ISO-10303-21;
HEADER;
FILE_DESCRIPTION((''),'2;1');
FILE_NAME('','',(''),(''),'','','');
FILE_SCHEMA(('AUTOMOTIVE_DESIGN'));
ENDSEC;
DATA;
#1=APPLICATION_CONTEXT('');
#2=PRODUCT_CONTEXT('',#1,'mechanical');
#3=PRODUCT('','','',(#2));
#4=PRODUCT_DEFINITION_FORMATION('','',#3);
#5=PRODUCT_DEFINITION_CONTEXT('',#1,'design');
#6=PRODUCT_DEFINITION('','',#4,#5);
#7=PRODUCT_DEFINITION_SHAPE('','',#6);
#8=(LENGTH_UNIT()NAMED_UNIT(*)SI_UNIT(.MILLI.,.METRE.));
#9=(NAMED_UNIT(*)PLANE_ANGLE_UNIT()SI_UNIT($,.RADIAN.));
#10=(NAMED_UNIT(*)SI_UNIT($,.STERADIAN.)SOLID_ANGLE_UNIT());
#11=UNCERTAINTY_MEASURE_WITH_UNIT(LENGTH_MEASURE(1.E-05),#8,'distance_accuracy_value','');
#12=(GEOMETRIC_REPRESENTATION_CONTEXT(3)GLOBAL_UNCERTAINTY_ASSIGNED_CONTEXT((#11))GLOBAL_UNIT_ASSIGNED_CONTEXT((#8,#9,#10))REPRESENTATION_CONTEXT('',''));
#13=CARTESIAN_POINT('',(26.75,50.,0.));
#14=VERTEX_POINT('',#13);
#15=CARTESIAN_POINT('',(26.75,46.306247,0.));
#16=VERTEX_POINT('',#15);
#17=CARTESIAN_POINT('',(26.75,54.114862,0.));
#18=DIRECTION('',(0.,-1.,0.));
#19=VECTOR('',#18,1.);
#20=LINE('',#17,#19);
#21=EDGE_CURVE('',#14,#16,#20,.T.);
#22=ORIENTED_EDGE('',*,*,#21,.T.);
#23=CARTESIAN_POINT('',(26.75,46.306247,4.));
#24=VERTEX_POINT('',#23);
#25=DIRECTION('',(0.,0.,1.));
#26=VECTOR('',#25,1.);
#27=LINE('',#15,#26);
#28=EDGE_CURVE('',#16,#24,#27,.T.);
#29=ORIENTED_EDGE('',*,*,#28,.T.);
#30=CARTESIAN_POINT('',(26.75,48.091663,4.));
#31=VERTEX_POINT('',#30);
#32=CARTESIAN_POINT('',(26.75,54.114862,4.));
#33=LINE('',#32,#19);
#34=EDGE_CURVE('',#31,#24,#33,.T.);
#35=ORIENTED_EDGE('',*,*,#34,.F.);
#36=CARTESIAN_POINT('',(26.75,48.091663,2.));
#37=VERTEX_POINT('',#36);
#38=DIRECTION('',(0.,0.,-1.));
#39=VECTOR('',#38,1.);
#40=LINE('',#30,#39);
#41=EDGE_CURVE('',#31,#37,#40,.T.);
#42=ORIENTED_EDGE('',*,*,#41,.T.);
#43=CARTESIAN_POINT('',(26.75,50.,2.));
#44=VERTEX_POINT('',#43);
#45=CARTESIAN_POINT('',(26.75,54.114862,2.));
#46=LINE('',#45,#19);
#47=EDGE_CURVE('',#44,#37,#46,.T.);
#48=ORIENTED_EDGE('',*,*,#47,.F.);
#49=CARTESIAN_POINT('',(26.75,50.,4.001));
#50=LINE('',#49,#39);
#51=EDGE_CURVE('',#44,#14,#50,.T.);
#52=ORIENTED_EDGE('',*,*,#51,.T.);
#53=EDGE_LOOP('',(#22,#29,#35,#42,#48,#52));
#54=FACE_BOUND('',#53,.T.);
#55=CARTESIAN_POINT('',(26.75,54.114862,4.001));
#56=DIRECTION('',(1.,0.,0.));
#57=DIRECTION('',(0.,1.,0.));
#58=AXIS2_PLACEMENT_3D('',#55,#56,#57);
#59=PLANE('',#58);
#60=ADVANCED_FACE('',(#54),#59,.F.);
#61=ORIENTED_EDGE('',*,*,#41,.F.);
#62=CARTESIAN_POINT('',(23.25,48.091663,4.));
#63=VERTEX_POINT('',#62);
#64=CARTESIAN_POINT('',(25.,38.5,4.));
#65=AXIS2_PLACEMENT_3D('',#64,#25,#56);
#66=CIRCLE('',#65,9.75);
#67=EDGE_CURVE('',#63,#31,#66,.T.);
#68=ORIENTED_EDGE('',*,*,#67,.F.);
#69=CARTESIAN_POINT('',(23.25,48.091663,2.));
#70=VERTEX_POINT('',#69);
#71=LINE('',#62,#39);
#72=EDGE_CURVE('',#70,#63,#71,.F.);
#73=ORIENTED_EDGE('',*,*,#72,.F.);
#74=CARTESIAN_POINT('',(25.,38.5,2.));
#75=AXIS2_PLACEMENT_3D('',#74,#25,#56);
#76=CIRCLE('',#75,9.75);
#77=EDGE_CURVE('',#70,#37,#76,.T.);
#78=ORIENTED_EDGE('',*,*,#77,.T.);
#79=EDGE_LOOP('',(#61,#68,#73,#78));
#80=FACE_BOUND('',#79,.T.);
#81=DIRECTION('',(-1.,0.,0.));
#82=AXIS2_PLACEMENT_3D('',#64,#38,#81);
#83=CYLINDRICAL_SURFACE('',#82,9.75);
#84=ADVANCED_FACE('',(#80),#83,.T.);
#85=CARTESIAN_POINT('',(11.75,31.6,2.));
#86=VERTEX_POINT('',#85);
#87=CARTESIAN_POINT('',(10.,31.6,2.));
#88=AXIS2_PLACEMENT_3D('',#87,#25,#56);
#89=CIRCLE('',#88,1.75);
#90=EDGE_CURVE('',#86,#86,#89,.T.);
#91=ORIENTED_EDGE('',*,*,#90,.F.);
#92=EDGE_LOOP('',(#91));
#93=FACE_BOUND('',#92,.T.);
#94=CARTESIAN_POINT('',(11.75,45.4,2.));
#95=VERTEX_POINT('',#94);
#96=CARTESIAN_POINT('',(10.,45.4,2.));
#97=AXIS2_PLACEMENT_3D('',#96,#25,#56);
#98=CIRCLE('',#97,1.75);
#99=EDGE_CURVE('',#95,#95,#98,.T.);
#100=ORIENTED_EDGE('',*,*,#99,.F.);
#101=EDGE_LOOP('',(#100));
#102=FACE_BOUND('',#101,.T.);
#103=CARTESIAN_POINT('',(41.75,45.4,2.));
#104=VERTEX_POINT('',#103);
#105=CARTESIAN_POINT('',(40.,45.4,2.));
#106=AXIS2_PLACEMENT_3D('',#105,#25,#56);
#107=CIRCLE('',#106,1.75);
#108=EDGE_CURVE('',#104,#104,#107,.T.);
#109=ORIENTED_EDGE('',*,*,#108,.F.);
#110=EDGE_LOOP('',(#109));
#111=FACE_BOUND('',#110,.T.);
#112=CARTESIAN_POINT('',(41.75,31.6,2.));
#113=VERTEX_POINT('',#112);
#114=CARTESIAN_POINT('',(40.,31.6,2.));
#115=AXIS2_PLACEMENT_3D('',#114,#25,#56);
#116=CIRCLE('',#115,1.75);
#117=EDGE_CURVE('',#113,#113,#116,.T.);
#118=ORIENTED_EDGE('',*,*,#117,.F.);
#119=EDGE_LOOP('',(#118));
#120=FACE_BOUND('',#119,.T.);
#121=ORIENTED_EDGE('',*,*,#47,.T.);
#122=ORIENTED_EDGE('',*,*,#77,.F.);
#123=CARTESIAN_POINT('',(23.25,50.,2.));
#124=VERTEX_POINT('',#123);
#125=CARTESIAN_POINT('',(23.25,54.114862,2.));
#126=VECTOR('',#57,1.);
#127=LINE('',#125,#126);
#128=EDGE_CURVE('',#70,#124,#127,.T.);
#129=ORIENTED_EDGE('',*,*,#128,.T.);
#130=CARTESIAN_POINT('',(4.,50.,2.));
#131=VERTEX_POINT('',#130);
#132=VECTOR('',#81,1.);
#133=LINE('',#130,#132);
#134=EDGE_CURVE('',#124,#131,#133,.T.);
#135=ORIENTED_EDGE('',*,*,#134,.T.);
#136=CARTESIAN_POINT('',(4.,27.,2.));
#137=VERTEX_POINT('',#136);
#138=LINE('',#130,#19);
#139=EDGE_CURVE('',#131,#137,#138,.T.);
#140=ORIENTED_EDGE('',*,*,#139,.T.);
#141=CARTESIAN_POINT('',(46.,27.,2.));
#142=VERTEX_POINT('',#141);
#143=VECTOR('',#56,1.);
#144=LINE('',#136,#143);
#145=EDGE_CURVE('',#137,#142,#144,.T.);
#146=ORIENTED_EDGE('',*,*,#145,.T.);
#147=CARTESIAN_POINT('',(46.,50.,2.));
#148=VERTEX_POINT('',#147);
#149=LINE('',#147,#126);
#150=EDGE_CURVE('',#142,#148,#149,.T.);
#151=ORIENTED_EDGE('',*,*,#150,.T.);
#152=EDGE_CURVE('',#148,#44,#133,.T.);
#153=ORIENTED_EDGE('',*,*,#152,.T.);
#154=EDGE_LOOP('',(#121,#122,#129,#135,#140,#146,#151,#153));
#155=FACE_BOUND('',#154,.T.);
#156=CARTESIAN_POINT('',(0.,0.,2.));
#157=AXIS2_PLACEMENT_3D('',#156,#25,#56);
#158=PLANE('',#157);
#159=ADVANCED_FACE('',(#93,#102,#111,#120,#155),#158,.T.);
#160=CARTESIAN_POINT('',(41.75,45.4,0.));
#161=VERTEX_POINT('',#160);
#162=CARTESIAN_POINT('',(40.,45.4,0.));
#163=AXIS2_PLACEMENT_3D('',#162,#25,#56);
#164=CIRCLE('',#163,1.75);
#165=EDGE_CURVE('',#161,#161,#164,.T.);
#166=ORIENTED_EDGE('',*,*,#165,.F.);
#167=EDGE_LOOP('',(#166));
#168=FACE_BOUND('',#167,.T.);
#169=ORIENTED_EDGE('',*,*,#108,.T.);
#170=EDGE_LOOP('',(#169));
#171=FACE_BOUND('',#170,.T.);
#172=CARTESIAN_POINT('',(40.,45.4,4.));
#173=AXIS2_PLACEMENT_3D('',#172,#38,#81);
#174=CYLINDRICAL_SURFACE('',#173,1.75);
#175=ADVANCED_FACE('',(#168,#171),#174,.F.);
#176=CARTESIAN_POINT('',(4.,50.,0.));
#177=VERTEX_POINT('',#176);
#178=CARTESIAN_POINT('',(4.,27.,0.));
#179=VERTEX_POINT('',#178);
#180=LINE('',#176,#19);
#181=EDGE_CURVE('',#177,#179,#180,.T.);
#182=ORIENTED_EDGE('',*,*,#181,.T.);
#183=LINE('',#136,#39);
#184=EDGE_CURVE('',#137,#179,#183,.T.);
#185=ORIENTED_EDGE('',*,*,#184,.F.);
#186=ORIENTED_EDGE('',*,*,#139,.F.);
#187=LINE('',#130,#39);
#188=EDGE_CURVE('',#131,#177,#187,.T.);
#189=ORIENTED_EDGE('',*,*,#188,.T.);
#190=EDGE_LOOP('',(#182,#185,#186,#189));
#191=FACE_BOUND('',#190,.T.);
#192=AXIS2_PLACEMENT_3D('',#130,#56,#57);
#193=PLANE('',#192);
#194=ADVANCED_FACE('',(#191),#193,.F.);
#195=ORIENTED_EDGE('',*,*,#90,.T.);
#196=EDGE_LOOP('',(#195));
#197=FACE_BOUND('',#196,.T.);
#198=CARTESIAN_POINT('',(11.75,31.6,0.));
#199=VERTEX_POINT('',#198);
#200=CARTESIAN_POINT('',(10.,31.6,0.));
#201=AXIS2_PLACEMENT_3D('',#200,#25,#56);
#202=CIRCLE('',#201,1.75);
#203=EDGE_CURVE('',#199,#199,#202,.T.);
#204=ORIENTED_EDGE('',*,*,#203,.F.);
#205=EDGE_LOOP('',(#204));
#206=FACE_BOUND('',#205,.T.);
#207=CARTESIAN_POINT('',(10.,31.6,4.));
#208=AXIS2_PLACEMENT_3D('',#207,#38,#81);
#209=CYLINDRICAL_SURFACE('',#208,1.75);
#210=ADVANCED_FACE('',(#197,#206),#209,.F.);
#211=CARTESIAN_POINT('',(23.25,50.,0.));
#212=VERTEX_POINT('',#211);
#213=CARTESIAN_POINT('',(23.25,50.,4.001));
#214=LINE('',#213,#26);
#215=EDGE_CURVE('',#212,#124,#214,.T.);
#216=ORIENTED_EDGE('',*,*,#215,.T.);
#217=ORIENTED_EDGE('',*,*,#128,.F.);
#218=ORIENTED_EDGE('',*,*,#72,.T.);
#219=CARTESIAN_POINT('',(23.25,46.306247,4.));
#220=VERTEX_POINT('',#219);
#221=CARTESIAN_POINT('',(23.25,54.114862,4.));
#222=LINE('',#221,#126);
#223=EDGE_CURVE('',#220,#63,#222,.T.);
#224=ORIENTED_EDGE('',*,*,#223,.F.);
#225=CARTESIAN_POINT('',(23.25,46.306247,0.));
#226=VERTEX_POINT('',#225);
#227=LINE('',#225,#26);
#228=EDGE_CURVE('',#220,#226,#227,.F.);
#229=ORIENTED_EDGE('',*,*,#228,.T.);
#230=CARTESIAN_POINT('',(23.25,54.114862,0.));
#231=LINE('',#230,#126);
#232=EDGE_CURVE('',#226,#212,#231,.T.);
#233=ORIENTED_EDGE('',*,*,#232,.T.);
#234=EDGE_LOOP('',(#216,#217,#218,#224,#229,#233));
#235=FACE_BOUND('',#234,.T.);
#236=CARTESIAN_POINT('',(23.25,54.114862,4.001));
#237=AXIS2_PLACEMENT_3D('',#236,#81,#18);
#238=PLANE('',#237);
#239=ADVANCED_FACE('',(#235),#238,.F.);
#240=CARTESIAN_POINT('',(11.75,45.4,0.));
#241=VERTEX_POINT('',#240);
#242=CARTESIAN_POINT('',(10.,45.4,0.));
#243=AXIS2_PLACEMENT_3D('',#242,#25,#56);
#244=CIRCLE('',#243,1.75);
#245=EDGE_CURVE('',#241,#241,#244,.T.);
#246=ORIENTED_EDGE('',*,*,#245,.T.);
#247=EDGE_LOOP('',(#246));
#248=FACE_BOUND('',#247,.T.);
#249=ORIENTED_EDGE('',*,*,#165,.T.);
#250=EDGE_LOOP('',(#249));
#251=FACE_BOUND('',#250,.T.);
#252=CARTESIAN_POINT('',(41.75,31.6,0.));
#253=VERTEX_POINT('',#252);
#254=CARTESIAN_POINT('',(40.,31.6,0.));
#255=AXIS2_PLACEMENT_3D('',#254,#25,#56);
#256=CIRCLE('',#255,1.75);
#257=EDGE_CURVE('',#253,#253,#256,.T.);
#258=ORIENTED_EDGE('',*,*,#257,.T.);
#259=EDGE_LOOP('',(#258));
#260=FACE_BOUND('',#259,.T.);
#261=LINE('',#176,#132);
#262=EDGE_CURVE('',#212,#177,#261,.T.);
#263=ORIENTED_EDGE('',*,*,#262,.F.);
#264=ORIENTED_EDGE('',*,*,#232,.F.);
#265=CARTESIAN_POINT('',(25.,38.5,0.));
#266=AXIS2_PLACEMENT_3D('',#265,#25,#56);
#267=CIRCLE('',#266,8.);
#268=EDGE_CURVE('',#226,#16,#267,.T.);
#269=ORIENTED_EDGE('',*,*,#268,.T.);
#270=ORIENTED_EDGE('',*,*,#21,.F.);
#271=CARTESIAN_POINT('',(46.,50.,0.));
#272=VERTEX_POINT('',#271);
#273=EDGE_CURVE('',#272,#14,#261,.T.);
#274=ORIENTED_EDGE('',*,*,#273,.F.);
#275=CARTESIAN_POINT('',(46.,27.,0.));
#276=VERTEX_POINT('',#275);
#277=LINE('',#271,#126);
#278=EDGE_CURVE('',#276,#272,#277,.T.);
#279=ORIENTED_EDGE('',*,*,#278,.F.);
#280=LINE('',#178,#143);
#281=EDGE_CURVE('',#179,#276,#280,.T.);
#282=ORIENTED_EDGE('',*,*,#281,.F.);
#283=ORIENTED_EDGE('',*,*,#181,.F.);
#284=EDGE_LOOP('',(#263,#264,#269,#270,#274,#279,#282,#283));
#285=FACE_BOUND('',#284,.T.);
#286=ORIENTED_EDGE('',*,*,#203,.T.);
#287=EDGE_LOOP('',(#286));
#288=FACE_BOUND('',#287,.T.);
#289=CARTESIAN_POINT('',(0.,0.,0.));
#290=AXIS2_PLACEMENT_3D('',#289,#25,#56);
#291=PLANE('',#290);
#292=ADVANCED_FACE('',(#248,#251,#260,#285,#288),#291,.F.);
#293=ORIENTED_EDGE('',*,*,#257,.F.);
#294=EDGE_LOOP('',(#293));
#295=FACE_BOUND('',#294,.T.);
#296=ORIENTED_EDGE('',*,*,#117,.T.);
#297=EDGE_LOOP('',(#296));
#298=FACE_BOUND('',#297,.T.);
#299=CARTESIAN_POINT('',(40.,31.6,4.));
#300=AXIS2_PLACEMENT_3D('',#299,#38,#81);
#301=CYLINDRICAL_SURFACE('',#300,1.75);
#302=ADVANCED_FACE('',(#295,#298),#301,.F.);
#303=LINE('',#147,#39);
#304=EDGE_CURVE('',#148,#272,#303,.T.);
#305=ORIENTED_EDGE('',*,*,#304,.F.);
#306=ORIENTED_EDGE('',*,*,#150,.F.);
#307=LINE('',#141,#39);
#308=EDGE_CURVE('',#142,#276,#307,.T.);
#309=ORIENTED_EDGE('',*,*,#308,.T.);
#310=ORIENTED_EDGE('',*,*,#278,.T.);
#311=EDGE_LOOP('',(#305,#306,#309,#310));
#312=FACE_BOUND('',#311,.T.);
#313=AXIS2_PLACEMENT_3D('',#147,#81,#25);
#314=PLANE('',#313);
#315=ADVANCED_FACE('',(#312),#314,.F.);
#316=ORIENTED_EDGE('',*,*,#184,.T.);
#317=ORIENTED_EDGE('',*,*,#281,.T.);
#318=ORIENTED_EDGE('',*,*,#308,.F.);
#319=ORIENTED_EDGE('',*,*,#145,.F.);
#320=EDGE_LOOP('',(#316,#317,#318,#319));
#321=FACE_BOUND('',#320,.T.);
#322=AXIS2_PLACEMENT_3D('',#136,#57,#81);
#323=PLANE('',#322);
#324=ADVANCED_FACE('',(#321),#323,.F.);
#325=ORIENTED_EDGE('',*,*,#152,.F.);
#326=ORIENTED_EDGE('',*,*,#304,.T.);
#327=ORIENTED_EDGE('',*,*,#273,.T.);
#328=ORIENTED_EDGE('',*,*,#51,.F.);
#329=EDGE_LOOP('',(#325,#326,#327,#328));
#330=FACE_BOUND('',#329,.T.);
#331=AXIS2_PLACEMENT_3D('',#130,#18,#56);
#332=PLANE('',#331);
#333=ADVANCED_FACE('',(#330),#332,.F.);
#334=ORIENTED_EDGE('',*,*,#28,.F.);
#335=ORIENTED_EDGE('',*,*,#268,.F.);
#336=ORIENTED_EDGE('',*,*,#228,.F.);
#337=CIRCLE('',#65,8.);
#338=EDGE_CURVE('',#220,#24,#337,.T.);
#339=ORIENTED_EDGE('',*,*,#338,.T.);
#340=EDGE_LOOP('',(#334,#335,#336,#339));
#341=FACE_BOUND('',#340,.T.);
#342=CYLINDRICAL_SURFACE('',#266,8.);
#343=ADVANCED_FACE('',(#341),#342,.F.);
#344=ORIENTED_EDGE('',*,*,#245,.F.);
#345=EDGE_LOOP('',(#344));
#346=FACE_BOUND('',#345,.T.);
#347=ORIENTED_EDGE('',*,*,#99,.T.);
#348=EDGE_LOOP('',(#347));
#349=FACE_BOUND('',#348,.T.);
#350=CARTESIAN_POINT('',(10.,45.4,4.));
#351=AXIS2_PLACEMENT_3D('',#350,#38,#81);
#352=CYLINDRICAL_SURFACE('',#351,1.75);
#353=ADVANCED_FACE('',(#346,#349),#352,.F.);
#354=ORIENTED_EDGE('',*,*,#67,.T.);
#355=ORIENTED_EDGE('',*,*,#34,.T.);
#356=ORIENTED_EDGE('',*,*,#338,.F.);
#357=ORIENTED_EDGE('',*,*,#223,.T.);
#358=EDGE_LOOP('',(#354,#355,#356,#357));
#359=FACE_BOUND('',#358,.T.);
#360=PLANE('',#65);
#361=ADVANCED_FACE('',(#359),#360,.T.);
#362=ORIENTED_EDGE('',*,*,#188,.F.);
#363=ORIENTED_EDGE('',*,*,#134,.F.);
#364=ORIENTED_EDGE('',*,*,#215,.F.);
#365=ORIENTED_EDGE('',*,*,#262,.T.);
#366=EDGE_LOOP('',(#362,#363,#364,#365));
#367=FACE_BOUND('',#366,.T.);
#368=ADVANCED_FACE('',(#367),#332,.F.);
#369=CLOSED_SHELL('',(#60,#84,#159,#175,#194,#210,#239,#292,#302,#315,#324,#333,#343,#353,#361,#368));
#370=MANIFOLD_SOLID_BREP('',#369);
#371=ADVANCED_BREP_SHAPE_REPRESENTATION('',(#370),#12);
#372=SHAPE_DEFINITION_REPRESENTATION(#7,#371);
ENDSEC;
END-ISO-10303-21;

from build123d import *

# Parameters (mm, degrees)
SKETCH_2_W               = 42
SKETCH_2_H               = 23
EXTRUDE_1_DEPTH          = 2
SKETCH_3_R               = 9.75
EXTRUDE_2_DEPTH          = 2
SKETCH_4_R               = 8
CUT_EXTRUDE_1_DEPTH      = 69.058798109
CUT_EXTRUDE_2_DEPTH      = 69.058798109
CUT_EXTRUDE_2_DEPTH_BACK = 69.058798109
SKETCH_5_R               = 1.75
CUT_EXTRUDE_4_REACH      = 70.059
SKETCH_7_W               = 3.5
SKETCH_7_H               = 14.451393072


with BuildPart() as part:
    # 草图2 → 凸台-拉伸1 (new body)
    with BuildSketch(Plane.XY):
        with Locations((25, 38.5)):
            Rectangle(SKETCH_2_W, SKETCH_2_H)
    extrude(amount=EXTRUDE_1_DEPTH)

    # 草图3 → 凸台-拉伸2 (add)
    with BuildSketch(Plane.XY.offset(2)):
        with Locations((25, 38.5)):
            Circle(SKETCH_3_R)
    extrude(amount=EXTRUDE_2_DEPTH)

    # 草图4 → 切除-拉伸1 (cut, through all)
    with BuildSketch(Plane.XY.offset(4)):
        with Locations((25, 38.5)):
            Circle(SKETCH_4_R)
    extrude(amount=-CUT_EXTRUDE_1_DEPTH, mode=Mode.SUBTRACT)

    # 草图5 → 切除-拉伸2 (cut, two sides: drawn at the far end of the back side and taken through both)
    with BuildSketch(Plane(origin=(0, 0, 0), x_dir=(-1, 0, 0), z_dir=(0, 0, -1)).offset(-CUT_EXTRUDE_2_DEPTH_BACK)):
        with Locations(Location((-40, 45.4, 0), (0, 0, 180))):
            Circle(SKETCH_5_R)
        with Locations(Location((-40, 31.6, 0), (0, 0, 180))):
            Circle(SKETCH_5_R)
        with Locations(Location((-10, 31.6, 0), (0, 0, 180))):
            Circle(SKETCH_5_R)
        with Locations(Location((-10, 45.4, 0), (0, 0, 180))):
            Circle(SKETCH_5_R)
    extrude(amount=CUT_EXTRUDE_2_DEPTH + CUT_EXTRUDE_2_DEPTH_BACK, mode=Mode.SUBTRACT)

    # 草图7 → 切除-拉伸4 (cut, up to next)
    with BuildSketch(Plane(origin=(0, 0, 0), x_dir=(-1, 0, 0), z_dir=(0, 0, -1)), mode=Mode.PRIVATE) as cut_extrude_4_sk1:
        with Locations((-25, 46.889165471)):
            Rectangle(SKETCH_7_W, SKETCH_7_H)
    cut_extrude_4_tool1 = extrude(cut_extrude_4_sk1.sketch, amount=-CUT_EXTRUDE_4_REACH, mode=Mode.PRIVATE) & part.part
    add(cut_extrude_4_tool1.solids().sort_by_distance((25, 46.889165, 0))[0], mode=Mode.SUBTRACT)


solid = part.part
